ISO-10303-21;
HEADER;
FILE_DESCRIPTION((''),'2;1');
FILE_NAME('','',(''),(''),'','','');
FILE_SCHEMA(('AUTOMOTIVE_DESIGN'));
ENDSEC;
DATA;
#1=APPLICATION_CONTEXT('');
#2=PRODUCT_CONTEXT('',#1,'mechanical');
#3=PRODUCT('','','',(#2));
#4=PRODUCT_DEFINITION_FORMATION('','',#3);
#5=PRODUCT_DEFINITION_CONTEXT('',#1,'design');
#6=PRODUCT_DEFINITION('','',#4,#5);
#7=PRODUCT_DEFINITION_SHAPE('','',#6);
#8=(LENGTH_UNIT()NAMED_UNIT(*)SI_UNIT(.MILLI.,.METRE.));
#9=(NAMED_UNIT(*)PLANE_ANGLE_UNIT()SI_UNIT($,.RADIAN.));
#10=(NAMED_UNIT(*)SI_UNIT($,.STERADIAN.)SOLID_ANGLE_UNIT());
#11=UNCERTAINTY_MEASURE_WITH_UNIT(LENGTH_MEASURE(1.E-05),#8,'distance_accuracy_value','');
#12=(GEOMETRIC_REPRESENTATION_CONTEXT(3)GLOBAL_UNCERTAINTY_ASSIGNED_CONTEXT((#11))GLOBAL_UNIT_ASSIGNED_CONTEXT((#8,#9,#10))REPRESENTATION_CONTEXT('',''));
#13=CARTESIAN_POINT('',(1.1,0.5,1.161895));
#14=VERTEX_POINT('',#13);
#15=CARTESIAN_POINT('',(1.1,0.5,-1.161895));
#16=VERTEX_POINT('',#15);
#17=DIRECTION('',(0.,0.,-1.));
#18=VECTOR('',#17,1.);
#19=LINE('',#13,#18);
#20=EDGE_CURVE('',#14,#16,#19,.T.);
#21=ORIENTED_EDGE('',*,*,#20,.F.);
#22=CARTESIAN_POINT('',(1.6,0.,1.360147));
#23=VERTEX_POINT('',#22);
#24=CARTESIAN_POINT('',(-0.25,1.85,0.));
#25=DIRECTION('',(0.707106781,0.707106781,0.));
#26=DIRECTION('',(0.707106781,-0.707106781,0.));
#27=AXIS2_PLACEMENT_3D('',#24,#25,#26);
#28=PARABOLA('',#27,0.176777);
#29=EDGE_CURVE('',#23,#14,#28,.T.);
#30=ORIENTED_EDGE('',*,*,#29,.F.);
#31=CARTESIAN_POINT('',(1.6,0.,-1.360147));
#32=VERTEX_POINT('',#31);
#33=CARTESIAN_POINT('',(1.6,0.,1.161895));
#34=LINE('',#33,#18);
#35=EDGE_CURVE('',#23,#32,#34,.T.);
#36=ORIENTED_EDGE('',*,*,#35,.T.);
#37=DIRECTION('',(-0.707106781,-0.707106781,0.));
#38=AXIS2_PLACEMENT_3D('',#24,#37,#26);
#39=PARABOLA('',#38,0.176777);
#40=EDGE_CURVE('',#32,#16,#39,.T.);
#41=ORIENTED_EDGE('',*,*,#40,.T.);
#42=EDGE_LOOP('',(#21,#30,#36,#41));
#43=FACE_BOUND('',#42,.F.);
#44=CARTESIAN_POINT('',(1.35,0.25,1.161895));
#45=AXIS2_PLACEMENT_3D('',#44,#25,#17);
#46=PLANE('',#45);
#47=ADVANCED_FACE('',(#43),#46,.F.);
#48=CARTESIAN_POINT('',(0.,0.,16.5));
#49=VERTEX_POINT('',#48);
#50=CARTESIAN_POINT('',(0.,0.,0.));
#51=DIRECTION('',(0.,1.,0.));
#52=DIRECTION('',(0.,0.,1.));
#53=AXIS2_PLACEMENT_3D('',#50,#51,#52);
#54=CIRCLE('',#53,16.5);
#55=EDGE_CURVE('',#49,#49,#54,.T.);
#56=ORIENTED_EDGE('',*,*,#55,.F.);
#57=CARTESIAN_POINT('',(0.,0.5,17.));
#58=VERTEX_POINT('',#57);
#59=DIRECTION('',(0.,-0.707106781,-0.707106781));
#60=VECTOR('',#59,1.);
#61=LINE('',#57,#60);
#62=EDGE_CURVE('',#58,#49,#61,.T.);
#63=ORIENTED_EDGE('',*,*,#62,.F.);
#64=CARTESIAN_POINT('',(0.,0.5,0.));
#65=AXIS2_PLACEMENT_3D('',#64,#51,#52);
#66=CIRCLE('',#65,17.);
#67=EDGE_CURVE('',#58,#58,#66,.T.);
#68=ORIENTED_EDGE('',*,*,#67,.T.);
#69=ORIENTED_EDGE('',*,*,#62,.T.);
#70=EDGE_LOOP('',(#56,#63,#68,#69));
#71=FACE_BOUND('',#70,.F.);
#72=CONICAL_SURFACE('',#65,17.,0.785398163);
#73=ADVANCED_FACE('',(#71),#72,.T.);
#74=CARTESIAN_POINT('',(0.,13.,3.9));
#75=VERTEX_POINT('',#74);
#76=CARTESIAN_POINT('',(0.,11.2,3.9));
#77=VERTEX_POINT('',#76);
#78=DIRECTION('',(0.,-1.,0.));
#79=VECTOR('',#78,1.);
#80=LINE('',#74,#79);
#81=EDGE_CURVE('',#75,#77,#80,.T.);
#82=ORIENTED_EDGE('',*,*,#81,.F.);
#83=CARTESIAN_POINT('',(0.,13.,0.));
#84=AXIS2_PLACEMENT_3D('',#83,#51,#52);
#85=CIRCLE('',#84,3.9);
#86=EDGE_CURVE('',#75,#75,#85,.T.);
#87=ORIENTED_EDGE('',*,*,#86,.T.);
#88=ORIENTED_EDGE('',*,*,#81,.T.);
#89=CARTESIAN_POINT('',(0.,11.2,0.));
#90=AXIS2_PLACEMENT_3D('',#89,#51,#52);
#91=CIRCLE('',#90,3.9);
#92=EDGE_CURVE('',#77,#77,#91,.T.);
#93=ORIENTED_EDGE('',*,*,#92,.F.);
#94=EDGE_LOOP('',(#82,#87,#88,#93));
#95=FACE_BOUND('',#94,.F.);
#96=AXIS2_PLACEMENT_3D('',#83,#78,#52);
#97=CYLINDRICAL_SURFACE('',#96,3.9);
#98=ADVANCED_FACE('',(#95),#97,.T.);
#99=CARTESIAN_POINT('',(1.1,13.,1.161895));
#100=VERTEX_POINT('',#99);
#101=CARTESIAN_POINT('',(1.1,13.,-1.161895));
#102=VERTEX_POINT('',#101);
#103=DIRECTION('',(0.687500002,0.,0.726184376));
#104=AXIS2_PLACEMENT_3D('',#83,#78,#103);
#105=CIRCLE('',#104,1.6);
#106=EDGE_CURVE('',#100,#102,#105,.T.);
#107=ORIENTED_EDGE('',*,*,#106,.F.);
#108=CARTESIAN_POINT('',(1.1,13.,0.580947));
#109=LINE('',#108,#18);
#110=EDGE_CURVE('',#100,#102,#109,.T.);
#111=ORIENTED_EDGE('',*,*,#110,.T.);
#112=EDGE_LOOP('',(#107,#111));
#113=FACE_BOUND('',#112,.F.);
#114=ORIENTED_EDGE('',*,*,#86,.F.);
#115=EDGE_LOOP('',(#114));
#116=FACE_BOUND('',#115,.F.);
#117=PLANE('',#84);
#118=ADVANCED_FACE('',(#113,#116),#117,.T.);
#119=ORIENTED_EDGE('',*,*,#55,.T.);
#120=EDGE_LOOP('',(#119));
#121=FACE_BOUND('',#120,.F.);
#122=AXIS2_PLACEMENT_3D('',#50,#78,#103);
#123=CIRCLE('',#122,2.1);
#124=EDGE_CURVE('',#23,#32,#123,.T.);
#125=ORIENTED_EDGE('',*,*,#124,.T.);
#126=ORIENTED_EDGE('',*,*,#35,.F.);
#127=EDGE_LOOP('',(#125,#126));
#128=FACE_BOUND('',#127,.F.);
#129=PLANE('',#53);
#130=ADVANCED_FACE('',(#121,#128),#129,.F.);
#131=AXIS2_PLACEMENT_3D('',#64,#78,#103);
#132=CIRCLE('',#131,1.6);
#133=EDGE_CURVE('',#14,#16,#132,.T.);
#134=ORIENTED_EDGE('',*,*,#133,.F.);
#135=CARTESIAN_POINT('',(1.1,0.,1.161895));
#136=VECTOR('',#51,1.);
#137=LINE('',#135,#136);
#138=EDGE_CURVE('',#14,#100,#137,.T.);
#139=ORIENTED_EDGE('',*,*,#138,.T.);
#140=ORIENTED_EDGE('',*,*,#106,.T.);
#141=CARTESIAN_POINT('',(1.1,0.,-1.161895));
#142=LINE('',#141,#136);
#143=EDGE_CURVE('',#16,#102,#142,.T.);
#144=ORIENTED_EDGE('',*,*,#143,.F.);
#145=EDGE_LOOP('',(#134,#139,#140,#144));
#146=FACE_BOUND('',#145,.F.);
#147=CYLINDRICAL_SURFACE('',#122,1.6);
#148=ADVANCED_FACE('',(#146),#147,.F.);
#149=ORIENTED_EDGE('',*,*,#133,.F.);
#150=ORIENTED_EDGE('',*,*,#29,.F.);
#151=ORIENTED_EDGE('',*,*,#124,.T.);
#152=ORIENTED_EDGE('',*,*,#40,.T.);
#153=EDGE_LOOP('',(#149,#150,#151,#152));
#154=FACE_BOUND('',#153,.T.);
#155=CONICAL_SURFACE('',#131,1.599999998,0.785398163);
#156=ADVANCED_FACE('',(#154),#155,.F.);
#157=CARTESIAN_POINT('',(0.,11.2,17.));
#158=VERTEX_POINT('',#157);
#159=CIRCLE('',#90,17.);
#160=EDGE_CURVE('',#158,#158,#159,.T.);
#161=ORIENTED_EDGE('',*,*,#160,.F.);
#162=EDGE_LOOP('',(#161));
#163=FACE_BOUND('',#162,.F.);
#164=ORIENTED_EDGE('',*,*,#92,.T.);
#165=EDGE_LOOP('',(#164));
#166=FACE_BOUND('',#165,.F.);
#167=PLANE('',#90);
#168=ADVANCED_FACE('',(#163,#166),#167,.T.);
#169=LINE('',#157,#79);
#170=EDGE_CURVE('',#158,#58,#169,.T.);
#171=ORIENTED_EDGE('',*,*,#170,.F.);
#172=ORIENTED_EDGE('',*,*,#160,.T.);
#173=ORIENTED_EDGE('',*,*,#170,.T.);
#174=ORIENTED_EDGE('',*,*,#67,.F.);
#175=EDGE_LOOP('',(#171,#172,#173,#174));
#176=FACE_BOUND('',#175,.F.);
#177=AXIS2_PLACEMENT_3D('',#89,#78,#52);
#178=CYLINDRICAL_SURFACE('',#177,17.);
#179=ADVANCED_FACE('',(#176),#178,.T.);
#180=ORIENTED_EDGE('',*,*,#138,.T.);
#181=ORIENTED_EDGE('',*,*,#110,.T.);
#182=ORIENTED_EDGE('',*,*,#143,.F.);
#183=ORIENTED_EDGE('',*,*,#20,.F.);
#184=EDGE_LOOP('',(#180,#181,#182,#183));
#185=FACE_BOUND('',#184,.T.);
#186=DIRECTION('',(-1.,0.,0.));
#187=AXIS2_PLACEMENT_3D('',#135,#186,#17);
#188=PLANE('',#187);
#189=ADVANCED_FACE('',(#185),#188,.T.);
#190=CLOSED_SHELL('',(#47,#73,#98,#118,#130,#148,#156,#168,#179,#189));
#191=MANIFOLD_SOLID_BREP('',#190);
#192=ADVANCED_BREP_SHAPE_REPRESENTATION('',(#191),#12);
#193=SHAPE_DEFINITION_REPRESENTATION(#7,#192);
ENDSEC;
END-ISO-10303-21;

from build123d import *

# Parameters (mm, degrees)
POCKET_DEPTH = 13.001
CHAMFER_SIZE = 0.5


with BuildPart() as part:
    # Sketch → Revolution (revolve)
    with BuildSketch(Plane.YZ):
        Polygon((11.2, 17), (0, 17), (0, 0), (13, 0), (13, 3.9), (11.2, 3.9), align=None)
    revolve(axis=Axis((0, 0, 0), (0, 1, 0)))

    # Sketch001 → Pocket (cut, through all)
    with BuildSketch(Plane.XZ):
        with BuildLine():
            ThreePointArc((1.1, 1.161895), (-1.6, 0), (1.1, -1.161895))
            Line((1.1, 1.161895), (1.1, -1.161895))
        make_face()
    extrude(amount=-POCKET_DEPTH, mode=Mode.SUBTRACT)

    # Chamfer
    chamfer_edges = [part.edges().sort_by_distance(p)[0] for p in [
        (0, 0, -17),
        (1.1, 0, 0),
        (-1.6, 0, 0),
    ]]
    chamfer(chamfer_edges, length=CHAMFER_SIZE)


solid = part.part
